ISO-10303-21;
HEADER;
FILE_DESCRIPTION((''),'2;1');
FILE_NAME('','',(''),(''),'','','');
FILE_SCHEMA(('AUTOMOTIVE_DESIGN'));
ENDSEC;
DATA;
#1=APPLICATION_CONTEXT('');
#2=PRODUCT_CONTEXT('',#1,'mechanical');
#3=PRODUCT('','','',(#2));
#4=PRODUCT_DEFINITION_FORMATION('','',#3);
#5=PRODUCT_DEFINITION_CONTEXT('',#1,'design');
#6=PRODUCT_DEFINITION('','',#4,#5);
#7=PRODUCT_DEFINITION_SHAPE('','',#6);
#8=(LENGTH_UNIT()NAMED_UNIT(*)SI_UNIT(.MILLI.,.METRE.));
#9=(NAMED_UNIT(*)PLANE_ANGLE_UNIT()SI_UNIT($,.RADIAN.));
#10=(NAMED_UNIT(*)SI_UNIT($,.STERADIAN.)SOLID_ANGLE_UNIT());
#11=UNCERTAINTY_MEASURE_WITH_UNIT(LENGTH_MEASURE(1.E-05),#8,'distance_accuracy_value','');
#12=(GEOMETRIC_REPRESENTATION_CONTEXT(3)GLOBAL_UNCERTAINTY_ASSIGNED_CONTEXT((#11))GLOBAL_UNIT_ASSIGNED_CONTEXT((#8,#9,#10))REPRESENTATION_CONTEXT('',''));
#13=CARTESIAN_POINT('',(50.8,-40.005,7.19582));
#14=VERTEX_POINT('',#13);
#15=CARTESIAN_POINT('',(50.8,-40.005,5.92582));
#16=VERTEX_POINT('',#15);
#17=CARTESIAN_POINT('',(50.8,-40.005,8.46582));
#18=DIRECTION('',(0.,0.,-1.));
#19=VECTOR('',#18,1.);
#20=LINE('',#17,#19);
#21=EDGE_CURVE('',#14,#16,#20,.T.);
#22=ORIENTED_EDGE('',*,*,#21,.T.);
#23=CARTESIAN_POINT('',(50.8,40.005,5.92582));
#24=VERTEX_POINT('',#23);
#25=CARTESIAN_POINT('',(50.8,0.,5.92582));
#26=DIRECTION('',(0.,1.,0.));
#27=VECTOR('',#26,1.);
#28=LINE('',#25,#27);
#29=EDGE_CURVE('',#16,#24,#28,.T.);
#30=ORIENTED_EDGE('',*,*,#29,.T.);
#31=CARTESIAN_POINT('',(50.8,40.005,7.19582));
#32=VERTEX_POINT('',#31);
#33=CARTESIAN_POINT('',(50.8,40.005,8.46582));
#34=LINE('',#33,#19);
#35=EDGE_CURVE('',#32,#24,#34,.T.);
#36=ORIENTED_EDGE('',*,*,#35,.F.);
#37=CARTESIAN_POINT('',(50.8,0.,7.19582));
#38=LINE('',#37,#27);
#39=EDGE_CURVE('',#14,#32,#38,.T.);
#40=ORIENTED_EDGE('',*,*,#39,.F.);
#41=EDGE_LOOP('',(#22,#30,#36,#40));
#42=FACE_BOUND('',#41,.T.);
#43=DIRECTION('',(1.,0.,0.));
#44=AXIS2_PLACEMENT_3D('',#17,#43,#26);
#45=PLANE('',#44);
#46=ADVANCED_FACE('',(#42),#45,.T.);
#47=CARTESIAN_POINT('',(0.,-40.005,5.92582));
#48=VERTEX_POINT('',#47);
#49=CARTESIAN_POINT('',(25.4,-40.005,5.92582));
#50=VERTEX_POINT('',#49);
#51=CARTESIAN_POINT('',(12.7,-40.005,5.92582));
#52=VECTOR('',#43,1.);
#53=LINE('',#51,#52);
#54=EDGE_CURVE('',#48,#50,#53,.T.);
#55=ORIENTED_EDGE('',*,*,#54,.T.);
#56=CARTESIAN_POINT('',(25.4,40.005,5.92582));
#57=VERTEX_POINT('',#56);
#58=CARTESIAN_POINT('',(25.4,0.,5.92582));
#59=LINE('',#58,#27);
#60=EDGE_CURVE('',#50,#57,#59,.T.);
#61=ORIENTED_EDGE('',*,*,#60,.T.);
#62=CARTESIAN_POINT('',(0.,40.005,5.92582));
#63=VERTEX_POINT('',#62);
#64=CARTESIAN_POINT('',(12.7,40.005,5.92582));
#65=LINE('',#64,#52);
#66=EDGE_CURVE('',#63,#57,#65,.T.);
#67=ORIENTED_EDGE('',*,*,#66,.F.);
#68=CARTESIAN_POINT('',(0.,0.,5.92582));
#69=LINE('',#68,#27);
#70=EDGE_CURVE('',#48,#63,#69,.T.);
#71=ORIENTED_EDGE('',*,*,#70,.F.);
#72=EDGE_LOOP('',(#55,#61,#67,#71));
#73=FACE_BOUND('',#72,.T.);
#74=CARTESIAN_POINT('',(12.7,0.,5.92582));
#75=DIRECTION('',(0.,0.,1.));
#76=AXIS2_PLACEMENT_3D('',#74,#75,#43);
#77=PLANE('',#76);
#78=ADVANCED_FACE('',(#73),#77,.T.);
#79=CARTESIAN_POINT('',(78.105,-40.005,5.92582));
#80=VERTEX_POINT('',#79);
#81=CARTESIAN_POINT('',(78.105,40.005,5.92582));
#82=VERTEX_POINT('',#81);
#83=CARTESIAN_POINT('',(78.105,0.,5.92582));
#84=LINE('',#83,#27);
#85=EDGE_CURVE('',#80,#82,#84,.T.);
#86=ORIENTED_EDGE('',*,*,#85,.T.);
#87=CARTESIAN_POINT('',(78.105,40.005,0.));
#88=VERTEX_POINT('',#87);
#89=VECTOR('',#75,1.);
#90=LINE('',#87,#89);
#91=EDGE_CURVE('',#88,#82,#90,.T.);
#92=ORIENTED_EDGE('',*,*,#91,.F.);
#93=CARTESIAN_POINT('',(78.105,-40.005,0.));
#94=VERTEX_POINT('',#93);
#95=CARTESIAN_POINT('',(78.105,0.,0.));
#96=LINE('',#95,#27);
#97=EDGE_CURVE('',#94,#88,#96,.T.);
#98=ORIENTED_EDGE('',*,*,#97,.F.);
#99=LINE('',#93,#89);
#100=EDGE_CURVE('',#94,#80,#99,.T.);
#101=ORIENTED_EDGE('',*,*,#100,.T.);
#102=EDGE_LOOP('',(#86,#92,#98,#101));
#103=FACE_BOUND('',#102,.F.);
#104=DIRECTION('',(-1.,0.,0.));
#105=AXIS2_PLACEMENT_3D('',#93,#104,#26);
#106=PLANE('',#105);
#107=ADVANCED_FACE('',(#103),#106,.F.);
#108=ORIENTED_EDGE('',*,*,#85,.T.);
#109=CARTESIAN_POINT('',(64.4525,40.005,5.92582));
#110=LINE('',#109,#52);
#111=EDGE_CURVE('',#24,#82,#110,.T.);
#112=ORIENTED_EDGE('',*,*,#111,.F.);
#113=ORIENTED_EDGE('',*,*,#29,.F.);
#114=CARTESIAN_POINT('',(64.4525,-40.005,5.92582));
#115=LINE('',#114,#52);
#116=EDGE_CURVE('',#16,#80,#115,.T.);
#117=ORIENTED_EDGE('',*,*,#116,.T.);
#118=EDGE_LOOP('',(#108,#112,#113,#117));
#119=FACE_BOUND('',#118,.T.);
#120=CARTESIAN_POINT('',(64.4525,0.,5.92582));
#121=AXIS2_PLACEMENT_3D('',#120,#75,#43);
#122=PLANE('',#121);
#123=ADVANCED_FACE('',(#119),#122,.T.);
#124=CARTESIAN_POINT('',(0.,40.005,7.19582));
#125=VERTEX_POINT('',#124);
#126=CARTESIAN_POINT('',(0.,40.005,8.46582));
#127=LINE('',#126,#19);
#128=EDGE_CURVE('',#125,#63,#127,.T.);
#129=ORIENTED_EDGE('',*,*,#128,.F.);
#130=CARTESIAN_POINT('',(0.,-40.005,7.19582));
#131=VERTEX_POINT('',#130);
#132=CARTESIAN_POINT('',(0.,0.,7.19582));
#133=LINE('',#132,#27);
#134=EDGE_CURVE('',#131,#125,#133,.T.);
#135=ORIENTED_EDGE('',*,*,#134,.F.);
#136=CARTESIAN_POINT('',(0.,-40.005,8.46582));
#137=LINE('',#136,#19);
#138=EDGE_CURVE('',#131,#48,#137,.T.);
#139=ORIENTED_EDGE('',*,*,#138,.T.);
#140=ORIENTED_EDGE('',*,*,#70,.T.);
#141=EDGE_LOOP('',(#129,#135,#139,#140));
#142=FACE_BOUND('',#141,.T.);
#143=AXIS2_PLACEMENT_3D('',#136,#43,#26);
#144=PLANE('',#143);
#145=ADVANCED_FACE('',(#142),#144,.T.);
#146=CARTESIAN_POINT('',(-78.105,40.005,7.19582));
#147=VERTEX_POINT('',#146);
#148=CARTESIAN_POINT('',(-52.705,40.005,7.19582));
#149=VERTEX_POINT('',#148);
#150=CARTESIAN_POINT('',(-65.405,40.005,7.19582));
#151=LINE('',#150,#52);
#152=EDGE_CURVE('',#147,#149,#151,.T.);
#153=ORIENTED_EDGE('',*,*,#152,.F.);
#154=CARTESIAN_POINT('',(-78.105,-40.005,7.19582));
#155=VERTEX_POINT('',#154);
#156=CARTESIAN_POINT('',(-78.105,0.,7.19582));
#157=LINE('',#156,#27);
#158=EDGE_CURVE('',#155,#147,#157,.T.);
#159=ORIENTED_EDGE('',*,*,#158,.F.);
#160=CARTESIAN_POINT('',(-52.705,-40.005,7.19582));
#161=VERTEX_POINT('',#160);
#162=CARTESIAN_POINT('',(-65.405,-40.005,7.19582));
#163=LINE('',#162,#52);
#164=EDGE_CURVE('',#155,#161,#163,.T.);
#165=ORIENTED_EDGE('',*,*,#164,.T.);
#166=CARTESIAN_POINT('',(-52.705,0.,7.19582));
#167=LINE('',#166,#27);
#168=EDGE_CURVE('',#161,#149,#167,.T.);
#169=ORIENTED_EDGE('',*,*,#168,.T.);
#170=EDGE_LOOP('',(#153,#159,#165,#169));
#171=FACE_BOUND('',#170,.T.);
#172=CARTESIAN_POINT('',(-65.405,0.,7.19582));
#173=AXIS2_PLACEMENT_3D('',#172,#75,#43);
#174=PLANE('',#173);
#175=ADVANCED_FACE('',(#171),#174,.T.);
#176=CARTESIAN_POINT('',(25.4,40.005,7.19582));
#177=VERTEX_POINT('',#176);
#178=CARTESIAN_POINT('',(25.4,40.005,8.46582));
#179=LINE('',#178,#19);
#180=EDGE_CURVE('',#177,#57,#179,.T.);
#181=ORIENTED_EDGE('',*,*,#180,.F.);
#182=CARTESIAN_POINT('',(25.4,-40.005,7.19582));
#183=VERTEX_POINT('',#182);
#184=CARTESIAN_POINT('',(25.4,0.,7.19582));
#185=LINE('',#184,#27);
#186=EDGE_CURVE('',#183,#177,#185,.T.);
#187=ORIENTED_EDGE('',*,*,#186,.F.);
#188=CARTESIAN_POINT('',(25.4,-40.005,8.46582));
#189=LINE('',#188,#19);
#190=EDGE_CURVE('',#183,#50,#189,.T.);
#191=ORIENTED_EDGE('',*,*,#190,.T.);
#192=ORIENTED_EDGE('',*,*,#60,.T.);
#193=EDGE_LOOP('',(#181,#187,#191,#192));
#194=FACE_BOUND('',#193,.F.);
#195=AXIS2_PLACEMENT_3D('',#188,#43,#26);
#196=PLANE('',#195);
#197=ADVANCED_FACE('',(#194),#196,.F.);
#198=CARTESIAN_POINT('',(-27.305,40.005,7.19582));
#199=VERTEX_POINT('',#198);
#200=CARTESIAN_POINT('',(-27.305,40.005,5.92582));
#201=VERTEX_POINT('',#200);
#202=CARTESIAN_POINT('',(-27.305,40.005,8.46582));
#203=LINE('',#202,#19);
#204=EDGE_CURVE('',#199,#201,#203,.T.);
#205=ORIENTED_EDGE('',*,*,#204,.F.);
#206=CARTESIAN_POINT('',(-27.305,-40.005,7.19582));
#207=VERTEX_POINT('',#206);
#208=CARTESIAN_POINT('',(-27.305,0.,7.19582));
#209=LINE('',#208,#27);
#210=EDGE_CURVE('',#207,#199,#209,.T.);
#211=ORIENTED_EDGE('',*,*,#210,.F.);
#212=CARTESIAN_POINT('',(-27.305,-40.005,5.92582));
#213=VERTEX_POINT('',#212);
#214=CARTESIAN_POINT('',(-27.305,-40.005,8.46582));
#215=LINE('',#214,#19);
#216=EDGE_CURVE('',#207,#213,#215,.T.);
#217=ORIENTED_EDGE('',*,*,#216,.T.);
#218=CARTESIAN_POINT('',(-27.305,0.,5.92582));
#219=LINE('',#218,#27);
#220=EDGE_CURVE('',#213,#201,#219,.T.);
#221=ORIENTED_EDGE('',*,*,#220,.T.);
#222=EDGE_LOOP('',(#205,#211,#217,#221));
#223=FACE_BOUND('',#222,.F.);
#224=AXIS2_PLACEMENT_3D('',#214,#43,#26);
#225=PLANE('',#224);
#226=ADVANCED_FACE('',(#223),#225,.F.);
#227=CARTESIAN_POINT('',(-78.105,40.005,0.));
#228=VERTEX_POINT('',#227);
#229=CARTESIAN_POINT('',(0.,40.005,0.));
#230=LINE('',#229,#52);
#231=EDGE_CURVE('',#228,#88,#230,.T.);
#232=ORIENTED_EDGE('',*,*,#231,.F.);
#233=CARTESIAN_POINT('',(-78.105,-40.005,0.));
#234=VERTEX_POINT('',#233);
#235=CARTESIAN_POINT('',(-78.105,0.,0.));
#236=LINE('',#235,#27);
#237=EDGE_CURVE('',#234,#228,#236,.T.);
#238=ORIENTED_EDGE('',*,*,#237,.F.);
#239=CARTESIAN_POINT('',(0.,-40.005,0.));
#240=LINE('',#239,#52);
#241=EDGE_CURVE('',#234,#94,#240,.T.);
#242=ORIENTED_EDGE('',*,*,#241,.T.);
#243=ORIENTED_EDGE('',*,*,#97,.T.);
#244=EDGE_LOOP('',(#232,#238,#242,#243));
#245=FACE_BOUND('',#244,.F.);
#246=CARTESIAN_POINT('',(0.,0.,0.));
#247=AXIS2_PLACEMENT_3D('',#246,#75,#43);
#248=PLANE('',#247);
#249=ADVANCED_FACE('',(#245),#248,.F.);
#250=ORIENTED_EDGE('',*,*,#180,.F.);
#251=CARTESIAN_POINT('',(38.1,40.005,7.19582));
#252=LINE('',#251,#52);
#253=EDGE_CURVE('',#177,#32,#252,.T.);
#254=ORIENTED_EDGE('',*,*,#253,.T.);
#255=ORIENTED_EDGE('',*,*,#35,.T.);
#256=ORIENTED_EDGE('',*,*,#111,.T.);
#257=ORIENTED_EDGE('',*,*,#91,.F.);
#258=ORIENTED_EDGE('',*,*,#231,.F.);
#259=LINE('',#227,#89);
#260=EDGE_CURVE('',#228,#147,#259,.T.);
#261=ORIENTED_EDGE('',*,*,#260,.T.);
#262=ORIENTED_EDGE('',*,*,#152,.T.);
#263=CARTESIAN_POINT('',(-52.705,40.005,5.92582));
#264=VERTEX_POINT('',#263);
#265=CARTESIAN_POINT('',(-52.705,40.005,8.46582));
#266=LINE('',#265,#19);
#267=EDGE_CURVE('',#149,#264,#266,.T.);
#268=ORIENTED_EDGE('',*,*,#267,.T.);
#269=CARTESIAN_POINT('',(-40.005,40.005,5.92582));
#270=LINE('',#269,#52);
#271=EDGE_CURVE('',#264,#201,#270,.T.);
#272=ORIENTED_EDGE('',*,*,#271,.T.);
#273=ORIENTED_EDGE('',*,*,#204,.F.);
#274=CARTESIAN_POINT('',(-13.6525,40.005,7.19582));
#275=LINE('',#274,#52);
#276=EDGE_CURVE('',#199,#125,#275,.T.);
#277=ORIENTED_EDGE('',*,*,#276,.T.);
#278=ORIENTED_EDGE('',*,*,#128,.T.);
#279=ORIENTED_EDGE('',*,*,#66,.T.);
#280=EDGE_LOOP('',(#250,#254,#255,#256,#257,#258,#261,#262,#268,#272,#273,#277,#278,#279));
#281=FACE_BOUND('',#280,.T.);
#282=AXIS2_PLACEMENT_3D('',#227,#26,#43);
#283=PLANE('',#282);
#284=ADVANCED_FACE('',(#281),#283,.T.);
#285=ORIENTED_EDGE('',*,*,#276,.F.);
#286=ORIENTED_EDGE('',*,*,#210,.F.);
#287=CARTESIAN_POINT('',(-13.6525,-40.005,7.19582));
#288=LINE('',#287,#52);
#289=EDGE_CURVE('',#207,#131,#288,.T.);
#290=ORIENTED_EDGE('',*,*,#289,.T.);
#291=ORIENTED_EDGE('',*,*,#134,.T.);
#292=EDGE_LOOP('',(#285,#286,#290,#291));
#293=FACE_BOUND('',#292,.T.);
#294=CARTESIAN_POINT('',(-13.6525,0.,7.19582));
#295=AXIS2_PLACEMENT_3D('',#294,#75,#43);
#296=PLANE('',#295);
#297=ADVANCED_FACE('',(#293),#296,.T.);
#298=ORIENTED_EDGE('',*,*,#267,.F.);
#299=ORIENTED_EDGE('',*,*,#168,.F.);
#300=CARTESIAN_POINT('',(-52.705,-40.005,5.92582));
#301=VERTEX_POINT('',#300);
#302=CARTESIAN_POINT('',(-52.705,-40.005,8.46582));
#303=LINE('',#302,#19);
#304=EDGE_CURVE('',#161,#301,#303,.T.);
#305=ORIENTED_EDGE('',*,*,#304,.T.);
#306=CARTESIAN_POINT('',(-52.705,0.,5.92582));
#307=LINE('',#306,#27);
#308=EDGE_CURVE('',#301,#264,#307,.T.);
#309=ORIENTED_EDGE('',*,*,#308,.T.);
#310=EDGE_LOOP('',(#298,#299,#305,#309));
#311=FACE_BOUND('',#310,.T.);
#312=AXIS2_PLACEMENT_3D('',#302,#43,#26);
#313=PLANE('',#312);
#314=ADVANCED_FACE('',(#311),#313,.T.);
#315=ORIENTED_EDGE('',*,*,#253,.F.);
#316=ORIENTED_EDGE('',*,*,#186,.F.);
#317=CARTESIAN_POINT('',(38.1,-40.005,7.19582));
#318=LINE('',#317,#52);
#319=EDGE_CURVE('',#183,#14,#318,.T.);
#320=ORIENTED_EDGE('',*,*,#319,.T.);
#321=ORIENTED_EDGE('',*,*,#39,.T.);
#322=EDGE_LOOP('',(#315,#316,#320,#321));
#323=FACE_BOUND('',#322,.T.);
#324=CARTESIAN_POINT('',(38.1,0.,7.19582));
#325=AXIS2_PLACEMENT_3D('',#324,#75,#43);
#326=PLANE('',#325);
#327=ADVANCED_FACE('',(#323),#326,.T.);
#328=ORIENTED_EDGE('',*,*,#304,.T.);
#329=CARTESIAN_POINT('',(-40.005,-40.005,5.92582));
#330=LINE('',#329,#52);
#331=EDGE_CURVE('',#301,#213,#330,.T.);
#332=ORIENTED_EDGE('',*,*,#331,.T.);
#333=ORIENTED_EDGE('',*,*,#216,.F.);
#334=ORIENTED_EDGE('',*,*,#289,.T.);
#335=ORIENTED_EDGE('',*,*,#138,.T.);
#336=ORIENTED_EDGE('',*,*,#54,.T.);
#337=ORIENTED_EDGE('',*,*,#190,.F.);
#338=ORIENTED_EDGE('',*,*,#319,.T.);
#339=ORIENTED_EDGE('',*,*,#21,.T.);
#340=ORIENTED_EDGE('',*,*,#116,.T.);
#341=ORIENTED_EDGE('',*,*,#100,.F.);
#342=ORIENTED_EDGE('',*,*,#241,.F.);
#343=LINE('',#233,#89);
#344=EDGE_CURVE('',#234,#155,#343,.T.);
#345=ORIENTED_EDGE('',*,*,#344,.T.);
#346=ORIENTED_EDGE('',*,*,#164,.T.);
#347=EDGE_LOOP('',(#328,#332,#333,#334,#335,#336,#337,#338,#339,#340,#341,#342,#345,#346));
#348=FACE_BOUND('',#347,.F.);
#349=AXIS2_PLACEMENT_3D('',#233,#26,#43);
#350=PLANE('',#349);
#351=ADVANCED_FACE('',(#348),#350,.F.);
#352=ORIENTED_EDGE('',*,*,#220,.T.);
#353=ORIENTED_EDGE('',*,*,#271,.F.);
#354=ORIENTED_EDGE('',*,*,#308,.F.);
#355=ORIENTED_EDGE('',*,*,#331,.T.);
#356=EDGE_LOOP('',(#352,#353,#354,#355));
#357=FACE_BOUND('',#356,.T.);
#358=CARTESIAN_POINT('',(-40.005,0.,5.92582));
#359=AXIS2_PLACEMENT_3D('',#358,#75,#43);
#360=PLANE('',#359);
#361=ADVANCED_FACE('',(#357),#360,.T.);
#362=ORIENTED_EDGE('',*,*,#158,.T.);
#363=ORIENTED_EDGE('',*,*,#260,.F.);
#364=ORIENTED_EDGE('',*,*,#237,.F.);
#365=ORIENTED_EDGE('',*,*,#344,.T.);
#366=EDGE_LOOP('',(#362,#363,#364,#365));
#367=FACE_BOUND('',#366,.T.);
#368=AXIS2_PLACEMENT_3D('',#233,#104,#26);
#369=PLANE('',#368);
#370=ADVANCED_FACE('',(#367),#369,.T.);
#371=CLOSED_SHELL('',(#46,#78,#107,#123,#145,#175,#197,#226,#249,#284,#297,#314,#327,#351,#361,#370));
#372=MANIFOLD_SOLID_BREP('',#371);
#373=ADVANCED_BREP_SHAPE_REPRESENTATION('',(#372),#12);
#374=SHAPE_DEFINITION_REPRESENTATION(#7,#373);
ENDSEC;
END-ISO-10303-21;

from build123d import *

# Parameters (mm, degrees)
F0_W     = 156.21
F0_H     = 80.01
F1_DEPTH = 8.46582
F2_W     = 25.4
F2_H     = 80.01
F3_DEPTH = 1.27
F4_DEPTH = 2.54
F2_W_2   = 27.305
F5_DEPTH = 1.27
F6_DEPTH = 2.54
F7_DEPTH = 1.27
F8_DEPTH = 2.54


with BuildPart() as f1:
    # F0 (on Top) → F1 (new body)
    with BuildSketch(Plane.XY):
        Rectangle(F0_W, F0_H)
    extrude(amount=F1_DEPTH)

    # F2 (on face) → F3 (cut)
    with BuildSketch(Plane.XY.offset(8.46582)):
        with Locations((-65.405, 0)):
            Rectangle(F2_W, F2_H)
    extrude(amount=-F3_DEPTH, mode=Mode.SUBTRACT)

    # F2 (on face) → F4 (cut)
    with BuildSketch(Plane.XY.offset(8.46582)):
        with Locations((-40.005, 0)):
            Rectangle(F2_W, F2_H)
    extrude(amount=-F4_DEPTH, mode=Mode.SUBTRACT)

    # F2 (on face) → F5 (cut)
    with BuildSketch(Plane.XY.offset(8.46582)):
        with Locations((-13.6525, 0)):
            Rectangle(F2_W_2, F2_H)
    extrude(amount=-F5_DEPTH, mode=Mode.SUBTRACT)

    # F2 (on face) → F6 (cut)
    with BuildSketch(Plane.XY.offset(8.46582)):
        with Locations((12.7, 0)):
            Rectangle(F2_W, F2_H)
    extrude(amount=-F6_DEPTH, mode=Mode.SUBTRACT)

    # F2 (on face) → F7 (cut)
    with BuildSketch(Plane.XY.offset(8.46582)):
        with Locations((38.1, 0)):
            Rectangle(F2_W, F2_H)
    extrude(amount=-F7_DEPTH, mode=Mode.SUBTRACT)

    # F2 (on face) → F8 (cut)
    with BuildSketch(Plane.XY.offset(8.46582)):
        with Locations((64.4525, 0)):
            Rectangle(F2_W_2, F2_H)
    extrude(amount=-F8_DEPTH, mode=Mode.SUBTRACT)


solid = f1.part
